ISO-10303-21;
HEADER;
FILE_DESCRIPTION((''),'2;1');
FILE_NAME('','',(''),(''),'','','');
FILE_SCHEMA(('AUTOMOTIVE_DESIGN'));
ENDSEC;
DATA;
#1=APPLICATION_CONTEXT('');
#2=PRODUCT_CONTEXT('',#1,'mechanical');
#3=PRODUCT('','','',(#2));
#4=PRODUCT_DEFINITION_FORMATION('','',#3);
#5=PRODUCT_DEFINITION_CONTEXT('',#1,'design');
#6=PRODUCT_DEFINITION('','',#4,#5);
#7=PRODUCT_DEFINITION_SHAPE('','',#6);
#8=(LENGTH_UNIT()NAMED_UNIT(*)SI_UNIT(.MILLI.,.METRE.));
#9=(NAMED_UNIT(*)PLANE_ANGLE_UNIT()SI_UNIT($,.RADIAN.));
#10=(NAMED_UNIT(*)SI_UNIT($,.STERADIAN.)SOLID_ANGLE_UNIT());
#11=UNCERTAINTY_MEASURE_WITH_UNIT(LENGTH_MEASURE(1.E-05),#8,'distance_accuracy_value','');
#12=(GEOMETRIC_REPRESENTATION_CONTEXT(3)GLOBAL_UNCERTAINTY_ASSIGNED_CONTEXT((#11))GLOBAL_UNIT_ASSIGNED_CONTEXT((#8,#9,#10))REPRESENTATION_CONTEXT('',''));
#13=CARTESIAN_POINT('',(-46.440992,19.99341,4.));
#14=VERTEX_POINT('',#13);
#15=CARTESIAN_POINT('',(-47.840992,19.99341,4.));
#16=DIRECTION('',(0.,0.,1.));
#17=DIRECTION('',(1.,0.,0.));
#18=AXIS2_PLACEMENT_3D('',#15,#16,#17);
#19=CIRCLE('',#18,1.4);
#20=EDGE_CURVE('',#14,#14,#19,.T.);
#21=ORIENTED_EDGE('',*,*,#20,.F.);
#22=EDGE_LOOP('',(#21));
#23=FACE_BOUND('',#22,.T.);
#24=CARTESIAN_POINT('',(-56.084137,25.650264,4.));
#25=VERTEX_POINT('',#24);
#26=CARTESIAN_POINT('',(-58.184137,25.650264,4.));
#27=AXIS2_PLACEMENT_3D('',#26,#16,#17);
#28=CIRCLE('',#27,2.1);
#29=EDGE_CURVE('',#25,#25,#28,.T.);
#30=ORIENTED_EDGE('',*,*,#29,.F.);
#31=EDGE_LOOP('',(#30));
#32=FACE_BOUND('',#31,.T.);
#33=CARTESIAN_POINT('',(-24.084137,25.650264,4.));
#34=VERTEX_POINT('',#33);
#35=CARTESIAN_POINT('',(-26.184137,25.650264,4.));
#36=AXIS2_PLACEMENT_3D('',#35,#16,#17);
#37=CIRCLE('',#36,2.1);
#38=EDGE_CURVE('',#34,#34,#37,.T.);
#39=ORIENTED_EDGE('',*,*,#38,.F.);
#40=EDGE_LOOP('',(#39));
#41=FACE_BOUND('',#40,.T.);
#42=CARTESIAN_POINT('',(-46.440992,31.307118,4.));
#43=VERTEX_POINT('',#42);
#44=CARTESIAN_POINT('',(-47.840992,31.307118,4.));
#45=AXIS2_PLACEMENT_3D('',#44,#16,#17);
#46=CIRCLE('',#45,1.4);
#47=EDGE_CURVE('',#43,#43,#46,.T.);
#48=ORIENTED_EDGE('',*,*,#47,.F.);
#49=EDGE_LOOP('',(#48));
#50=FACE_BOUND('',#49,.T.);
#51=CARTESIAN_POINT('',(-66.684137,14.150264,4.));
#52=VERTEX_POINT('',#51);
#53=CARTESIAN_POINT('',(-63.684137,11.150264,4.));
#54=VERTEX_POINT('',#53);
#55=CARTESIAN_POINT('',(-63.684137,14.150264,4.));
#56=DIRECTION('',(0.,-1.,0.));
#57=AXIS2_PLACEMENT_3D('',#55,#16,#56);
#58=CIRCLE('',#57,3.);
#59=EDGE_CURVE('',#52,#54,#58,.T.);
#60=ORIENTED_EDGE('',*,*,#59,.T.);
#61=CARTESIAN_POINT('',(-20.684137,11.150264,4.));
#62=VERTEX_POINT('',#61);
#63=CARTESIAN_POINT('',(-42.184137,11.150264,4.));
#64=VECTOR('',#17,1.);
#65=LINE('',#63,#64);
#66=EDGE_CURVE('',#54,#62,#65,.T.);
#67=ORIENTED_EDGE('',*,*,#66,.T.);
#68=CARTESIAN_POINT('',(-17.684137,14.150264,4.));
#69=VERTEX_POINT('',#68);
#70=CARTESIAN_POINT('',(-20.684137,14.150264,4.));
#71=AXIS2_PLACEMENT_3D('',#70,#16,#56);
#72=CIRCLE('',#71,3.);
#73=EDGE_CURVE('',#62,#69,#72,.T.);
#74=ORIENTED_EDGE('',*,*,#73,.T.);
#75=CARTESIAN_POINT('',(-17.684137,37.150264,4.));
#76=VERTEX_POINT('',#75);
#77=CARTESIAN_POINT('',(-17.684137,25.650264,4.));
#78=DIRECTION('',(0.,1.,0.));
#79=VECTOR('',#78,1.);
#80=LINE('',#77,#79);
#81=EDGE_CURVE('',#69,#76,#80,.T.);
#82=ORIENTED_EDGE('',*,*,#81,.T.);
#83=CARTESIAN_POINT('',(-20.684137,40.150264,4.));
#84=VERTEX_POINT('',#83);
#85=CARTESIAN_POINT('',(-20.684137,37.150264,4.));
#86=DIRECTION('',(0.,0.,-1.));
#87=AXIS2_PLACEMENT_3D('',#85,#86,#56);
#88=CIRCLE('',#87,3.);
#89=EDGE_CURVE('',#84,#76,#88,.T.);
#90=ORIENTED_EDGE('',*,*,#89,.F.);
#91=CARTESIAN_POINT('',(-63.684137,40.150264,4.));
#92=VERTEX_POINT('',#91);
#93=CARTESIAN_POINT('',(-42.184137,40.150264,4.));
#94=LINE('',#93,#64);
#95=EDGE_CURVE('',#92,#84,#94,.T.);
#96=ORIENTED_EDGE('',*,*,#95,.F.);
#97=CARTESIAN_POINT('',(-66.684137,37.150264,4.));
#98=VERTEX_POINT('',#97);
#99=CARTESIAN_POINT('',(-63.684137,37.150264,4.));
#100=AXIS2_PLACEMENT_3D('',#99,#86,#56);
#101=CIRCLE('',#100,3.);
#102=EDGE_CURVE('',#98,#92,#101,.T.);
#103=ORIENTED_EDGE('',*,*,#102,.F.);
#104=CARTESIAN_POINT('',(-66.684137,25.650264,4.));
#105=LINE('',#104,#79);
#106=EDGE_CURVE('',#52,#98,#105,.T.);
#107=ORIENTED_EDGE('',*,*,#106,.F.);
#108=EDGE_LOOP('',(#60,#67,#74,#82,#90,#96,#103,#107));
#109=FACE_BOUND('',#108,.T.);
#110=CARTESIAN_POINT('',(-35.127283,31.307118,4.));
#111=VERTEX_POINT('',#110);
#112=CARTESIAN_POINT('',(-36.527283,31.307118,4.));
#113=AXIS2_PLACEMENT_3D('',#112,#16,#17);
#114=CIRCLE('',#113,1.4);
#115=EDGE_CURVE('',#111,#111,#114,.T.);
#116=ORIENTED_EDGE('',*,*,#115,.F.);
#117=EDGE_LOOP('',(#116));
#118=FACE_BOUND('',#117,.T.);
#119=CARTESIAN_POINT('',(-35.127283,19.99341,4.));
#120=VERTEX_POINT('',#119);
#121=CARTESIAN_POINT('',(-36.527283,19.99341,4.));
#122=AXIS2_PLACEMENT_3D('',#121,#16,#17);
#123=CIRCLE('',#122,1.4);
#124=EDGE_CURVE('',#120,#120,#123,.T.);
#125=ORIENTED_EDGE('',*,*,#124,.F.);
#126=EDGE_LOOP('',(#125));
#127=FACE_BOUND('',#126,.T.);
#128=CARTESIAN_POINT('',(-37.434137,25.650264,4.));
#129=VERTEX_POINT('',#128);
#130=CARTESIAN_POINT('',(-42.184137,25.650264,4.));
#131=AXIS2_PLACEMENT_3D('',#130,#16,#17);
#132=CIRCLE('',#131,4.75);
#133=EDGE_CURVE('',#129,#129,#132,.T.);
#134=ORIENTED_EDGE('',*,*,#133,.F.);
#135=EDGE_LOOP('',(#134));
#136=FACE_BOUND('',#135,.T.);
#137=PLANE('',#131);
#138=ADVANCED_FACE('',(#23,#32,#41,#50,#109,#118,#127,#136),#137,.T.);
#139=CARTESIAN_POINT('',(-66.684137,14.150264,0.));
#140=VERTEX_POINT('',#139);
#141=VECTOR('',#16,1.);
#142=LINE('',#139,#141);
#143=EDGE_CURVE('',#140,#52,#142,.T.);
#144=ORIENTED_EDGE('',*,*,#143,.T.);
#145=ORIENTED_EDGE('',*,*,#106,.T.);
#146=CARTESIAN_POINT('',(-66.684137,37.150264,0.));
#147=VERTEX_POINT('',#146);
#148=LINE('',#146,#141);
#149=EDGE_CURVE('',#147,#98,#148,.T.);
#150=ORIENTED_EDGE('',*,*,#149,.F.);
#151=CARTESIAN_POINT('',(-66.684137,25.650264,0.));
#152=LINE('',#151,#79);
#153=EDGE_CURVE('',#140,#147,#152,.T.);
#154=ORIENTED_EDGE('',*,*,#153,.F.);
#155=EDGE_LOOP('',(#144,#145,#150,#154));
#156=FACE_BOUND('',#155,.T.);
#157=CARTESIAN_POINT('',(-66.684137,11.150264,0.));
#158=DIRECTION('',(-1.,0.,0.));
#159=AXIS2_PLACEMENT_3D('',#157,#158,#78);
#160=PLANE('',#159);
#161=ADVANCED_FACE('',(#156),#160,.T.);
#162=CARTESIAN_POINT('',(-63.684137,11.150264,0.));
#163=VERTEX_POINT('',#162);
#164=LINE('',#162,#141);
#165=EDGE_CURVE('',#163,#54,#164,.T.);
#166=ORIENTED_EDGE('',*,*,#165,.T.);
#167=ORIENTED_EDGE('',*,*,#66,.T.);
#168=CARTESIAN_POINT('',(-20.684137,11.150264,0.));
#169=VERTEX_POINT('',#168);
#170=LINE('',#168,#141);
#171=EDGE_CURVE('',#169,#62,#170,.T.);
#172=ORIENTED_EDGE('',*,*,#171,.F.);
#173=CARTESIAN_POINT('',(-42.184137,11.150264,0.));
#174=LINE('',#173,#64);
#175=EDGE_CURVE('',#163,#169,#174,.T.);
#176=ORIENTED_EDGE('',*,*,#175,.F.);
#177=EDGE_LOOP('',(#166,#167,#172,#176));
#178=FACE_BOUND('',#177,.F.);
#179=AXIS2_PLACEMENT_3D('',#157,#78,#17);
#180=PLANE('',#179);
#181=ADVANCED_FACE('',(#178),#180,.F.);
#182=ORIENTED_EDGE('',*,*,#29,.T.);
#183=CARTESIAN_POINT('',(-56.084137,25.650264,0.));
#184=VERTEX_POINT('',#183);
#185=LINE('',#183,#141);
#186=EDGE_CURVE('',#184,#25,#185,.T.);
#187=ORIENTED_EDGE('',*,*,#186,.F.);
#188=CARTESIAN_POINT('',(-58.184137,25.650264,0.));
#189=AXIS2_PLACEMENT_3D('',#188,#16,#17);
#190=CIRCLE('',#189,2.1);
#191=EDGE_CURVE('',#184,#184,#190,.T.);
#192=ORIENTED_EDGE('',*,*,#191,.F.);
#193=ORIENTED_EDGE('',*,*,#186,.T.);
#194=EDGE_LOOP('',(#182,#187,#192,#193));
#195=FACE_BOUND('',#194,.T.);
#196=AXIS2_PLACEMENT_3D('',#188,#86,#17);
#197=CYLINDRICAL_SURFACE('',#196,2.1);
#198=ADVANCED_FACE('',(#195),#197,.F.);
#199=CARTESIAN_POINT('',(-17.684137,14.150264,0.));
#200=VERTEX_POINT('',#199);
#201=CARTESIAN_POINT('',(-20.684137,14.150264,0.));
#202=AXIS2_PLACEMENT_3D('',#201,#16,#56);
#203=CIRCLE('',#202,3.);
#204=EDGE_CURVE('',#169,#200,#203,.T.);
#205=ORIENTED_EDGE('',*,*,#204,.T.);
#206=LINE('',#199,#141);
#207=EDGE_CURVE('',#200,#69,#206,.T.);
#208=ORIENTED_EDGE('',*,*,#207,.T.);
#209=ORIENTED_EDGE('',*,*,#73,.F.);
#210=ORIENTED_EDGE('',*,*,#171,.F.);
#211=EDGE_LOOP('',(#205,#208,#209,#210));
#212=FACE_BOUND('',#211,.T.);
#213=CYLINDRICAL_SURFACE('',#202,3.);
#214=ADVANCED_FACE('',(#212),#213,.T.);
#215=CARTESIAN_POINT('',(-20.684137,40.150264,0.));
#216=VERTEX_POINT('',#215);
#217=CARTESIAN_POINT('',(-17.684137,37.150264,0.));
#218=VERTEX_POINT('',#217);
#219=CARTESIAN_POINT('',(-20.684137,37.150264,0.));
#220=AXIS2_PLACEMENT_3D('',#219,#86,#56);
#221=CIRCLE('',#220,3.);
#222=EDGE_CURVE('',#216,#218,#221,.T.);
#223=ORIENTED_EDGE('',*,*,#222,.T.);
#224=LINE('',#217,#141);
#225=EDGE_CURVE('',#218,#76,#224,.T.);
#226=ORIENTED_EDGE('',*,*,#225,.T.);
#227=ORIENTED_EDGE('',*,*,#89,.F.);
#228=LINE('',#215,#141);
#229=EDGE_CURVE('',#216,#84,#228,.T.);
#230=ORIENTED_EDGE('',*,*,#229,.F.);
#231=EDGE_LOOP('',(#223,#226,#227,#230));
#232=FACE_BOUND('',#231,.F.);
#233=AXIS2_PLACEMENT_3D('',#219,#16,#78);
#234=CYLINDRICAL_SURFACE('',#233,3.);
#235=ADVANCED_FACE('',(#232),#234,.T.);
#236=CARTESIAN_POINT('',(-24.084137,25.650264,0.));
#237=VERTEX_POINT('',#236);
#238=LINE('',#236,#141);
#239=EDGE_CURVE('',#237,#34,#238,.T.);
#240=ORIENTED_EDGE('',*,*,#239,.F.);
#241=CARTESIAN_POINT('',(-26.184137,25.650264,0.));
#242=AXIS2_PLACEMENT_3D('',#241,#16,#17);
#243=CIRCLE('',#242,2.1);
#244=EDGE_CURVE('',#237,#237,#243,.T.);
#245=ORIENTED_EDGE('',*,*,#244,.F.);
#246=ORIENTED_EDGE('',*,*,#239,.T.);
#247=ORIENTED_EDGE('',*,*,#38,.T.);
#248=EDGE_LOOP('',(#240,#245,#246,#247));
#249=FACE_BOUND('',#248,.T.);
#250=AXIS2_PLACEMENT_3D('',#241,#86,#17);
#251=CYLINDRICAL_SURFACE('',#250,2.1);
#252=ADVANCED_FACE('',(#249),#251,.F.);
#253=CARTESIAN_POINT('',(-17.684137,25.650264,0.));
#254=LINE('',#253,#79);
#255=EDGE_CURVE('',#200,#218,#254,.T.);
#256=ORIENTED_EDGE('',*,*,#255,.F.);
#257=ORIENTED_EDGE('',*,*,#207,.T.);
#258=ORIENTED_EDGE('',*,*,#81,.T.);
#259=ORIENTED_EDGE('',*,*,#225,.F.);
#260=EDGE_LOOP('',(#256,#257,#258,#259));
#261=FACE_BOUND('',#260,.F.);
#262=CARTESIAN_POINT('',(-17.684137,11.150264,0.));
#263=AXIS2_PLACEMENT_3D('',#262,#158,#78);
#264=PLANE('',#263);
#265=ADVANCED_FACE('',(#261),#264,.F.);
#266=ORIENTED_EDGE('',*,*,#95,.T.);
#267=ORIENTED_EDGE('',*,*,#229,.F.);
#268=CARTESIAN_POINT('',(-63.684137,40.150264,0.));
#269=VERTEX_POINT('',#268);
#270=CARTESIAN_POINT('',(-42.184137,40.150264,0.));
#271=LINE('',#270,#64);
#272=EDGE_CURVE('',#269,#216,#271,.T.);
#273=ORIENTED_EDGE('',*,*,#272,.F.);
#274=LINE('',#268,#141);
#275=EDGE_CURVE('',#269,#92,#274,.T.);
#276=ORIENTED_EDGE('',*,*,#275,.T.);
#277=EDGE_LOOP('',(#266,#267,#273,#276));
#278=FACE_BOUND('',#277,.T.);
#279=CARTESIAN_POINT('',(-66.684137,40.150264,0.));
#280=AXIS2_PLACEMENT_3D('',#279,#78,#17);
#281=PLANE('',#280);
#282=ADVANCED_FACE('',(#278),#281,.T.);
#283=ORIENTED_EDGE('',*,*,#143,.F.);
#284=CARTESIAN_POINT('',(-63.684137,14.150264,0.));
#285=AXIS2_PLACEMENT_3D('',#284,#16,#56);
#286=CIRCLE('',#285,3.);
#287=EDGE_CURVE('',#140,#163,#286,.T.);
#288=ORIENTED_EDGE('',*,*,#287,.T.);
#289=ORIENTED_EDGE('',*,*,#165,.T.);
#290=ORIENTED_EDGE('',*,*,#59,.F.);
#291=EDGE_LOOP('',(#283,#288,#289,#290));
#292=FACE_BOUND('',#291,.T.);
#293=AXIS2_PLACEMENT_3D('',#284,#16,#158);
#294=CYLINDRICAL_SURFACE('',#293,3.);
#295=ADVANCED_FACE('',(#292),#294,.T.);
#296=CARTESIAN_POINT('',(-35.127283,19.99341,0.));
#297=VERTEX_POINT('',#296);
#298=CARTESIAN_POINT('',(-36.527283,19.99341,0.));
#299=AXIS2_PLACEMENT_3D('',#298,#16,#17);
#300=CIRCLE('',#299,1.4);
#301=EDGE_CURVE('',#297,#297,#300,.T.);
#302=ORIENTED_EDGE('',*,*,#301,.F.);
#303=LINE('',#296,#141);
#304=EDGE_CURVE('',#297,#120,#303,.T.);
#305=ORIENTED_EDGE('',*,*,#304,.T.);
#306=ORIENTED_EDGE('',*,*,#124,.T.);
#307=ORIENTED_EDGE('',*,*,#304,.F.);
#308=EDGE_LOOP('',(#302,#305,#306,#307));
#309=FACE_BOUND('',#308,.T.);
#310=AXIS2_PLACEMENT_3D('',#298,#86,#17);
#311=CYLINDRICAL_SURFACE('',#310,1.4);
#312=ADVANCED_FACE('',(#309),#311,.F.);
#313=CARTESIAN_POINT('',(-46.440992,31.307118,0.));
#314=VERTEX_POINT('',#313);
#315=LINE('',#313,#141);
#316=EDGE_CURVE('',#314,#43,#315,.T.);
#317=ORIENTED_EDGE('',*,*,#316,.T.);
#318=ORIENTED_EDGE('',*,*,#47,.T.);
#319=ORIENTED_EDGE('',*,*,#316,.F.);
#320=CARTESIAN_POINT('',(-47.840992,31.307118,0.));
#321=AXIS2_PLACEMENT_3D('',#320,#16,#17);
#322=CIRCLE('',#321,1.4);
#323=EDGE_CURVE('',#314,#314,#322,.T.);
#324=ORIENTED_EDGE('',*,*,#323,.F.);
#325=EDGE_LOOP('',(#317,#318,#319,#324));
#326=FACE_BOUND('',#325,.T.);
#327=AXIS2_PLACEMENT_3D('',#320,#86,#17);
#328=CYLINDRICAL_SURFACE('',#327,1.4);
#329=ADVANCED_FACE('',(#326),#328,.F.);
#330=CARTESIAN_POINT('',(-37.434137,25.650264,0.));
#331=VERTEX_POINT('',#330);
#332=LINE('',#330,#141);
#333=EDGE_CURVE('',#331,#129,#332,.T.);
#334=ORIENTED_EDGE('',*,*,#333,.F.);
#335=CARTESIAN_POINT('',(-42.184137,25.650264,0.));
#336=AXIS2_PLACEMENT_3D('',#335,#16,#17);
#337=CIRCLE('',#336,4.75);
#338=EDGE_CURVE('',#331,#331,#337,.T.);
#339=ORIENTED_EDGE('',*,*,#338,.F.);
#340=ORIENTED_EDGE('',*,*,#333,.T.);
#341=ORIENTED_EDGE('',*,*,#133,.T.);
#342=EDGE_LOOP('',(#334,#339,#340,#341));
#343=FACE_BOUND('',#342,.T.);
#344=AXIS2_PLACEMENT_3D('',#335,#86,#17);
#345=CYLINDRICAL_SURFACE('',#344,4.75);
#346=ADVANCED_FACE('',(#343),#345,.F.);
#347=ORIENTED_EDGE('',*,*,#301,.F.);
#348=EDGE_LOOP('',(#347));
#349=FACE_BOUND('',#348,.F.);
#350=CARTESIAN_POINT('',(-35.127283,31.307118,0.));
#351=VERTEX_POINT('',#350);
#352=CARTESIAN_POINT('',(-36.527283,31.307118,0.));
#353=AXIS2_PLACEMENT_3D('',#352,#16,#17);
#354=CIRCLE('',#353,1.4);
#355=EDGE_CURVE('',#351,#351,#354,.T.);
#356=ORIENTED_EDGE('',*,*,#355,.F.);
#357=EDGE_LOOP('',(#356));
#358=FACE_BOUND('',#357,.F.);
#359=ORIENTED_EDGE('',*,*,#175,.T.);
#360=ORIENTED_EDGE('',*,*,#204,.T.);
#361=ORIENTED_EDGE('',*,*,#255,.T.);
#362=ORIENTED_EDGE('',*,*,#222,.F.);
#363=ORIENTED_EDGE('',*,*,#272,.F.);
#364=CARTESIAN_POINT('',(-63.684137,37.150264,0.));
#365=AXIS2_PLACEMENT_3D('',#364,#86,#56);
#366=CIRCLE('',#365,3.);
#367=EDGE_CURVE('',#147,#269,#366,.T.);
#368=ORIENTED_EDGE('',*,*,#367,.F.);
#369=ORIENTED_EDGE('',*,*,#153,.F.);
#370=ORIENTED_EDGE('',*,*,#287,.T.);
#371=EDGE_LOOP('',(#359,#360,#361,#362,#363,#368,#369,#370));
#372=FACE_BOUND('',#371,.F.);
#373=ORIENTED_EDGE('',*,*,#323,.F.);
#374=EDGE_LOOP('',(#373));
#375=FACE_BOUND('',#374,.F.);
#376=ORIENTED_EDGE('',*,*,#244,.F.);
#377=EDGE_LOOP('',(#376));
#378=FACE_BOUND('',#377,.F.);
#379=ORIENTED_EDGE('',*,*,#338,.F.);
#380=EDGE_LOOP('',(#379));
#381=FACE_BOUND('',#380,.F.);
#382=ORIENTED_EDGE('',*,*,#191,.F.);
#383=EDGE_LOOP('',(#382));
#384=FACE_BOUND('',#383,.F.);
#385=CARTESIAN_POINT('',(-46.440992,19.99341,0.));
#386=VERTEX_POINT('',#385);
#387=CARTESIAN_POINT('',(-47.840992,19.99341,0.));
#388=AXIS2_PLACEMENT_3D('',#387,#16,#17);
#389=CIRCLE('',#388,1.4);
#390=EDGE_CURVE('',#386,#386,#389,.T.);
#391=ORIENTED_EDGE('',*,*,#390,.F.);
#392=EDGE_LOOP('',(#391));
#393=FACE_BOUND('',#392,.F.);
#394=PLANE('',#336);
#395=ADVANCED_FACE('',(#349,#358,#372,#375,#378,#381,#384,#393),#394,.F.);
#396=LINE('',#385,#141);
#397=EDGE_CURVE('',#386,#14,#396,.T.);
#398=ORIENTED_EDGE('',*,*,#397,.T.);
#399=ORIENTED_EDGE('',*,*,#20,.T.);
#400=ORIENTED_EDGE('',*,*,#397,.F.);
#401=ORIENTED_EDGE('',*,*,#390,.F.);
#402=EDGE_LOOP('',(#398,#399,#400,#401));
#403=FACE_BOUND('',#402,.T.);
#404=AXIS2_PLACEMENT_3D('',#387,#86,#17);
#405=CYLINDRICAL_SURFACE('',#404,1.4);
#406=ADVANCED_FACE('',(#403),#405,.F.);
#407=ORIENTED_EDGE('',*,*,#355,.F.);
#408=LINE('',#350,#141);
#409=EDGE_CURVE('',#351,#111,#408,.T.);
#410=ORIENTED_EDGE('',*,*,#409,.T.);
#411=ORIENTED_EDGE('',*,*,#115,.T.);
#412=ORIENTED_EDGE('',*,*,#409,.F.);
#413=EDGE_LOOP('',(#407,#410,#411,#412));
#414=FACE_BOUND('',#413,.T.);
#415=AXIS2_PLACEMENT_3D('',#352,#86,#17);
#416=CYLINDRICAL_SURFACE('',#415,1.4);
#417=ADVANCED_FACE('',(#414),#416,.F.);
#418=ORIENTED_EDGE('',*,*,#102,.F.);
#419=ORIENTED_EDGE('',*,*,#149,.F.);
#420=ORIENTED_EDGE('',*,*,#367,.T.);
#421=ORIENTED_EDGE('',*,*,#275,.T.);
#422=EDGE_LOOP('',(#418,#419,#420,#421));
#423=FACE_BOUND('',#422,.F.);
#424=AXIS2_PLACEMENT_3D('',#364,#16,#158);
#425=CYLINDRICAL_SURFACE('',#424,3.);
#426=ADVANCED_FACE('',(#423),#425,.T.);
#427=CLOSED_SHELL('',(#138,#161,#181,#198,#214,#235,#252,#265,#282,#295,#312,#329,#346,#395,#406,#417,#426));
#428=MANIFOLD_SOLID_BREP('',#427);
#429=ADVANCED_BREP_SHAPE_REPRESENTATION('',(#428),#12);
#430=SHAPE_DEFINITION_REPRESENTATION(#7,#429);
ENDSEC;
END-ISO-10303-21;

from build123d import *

# Parameters (mm, degrees)
F0_W     = 49
F0_H     = 29
F0_R     = 2.1
F0_R_2   = 1.4
F0_R_3   = 4.75
F1_DEPTH = 4
F2_R     = 3


with BuildPart() as f1:
    # F0 (on Top) → F1 (new body)
    with BuildSketch(Plane.XY):
        with Locations((-42.184137, 25.650264)):
            Rectangle(F0_W, F0_H)
        with Locations((-58.184137, 25.650264)):
            Circle(F0_R, mode=Mode.SUBTRACT)
        with Locations((-47.840992, 19.99341)):
            Circle(F0_R_2, mode=Mode.SUBTRACT)
        with Locations((-42.184137, 25.650264)):
            Circle(F0_R_3, mode=Mode.SUBTRACT)
        with Locations((-36.527283, 19.99341)):
            Circle(F0_R_2, mode=Mode.SUBTRACT)
        with Locations((-47.840992, 31.307118)):
            Circle(F0_R_2, mode=Mode.SUBTRACT)
        with Locations((-36.527283, 31.307118)):
            Circle(F0_R_2, mode=Mode.SUBTRACT)
        with Locations((-26.184137, 25.650264)):
            Circle(F0_R, mode=Mode.SUBTRACT)
    extrude(amount=F1_DEPTH)

    # F2
    f2_edges = [f1.edges().sort_by_distance(p)[0] for p in [
        (-66.684137, 11.150264, 2),
        (-17.684137, 11.150264, 2),
        (-17.684137, 40.150264, 2),
        (-66.684137, 40.150264, 2),
    ]]
    fillet(f2_edges, radius=F2_R)


solid = f1.part
